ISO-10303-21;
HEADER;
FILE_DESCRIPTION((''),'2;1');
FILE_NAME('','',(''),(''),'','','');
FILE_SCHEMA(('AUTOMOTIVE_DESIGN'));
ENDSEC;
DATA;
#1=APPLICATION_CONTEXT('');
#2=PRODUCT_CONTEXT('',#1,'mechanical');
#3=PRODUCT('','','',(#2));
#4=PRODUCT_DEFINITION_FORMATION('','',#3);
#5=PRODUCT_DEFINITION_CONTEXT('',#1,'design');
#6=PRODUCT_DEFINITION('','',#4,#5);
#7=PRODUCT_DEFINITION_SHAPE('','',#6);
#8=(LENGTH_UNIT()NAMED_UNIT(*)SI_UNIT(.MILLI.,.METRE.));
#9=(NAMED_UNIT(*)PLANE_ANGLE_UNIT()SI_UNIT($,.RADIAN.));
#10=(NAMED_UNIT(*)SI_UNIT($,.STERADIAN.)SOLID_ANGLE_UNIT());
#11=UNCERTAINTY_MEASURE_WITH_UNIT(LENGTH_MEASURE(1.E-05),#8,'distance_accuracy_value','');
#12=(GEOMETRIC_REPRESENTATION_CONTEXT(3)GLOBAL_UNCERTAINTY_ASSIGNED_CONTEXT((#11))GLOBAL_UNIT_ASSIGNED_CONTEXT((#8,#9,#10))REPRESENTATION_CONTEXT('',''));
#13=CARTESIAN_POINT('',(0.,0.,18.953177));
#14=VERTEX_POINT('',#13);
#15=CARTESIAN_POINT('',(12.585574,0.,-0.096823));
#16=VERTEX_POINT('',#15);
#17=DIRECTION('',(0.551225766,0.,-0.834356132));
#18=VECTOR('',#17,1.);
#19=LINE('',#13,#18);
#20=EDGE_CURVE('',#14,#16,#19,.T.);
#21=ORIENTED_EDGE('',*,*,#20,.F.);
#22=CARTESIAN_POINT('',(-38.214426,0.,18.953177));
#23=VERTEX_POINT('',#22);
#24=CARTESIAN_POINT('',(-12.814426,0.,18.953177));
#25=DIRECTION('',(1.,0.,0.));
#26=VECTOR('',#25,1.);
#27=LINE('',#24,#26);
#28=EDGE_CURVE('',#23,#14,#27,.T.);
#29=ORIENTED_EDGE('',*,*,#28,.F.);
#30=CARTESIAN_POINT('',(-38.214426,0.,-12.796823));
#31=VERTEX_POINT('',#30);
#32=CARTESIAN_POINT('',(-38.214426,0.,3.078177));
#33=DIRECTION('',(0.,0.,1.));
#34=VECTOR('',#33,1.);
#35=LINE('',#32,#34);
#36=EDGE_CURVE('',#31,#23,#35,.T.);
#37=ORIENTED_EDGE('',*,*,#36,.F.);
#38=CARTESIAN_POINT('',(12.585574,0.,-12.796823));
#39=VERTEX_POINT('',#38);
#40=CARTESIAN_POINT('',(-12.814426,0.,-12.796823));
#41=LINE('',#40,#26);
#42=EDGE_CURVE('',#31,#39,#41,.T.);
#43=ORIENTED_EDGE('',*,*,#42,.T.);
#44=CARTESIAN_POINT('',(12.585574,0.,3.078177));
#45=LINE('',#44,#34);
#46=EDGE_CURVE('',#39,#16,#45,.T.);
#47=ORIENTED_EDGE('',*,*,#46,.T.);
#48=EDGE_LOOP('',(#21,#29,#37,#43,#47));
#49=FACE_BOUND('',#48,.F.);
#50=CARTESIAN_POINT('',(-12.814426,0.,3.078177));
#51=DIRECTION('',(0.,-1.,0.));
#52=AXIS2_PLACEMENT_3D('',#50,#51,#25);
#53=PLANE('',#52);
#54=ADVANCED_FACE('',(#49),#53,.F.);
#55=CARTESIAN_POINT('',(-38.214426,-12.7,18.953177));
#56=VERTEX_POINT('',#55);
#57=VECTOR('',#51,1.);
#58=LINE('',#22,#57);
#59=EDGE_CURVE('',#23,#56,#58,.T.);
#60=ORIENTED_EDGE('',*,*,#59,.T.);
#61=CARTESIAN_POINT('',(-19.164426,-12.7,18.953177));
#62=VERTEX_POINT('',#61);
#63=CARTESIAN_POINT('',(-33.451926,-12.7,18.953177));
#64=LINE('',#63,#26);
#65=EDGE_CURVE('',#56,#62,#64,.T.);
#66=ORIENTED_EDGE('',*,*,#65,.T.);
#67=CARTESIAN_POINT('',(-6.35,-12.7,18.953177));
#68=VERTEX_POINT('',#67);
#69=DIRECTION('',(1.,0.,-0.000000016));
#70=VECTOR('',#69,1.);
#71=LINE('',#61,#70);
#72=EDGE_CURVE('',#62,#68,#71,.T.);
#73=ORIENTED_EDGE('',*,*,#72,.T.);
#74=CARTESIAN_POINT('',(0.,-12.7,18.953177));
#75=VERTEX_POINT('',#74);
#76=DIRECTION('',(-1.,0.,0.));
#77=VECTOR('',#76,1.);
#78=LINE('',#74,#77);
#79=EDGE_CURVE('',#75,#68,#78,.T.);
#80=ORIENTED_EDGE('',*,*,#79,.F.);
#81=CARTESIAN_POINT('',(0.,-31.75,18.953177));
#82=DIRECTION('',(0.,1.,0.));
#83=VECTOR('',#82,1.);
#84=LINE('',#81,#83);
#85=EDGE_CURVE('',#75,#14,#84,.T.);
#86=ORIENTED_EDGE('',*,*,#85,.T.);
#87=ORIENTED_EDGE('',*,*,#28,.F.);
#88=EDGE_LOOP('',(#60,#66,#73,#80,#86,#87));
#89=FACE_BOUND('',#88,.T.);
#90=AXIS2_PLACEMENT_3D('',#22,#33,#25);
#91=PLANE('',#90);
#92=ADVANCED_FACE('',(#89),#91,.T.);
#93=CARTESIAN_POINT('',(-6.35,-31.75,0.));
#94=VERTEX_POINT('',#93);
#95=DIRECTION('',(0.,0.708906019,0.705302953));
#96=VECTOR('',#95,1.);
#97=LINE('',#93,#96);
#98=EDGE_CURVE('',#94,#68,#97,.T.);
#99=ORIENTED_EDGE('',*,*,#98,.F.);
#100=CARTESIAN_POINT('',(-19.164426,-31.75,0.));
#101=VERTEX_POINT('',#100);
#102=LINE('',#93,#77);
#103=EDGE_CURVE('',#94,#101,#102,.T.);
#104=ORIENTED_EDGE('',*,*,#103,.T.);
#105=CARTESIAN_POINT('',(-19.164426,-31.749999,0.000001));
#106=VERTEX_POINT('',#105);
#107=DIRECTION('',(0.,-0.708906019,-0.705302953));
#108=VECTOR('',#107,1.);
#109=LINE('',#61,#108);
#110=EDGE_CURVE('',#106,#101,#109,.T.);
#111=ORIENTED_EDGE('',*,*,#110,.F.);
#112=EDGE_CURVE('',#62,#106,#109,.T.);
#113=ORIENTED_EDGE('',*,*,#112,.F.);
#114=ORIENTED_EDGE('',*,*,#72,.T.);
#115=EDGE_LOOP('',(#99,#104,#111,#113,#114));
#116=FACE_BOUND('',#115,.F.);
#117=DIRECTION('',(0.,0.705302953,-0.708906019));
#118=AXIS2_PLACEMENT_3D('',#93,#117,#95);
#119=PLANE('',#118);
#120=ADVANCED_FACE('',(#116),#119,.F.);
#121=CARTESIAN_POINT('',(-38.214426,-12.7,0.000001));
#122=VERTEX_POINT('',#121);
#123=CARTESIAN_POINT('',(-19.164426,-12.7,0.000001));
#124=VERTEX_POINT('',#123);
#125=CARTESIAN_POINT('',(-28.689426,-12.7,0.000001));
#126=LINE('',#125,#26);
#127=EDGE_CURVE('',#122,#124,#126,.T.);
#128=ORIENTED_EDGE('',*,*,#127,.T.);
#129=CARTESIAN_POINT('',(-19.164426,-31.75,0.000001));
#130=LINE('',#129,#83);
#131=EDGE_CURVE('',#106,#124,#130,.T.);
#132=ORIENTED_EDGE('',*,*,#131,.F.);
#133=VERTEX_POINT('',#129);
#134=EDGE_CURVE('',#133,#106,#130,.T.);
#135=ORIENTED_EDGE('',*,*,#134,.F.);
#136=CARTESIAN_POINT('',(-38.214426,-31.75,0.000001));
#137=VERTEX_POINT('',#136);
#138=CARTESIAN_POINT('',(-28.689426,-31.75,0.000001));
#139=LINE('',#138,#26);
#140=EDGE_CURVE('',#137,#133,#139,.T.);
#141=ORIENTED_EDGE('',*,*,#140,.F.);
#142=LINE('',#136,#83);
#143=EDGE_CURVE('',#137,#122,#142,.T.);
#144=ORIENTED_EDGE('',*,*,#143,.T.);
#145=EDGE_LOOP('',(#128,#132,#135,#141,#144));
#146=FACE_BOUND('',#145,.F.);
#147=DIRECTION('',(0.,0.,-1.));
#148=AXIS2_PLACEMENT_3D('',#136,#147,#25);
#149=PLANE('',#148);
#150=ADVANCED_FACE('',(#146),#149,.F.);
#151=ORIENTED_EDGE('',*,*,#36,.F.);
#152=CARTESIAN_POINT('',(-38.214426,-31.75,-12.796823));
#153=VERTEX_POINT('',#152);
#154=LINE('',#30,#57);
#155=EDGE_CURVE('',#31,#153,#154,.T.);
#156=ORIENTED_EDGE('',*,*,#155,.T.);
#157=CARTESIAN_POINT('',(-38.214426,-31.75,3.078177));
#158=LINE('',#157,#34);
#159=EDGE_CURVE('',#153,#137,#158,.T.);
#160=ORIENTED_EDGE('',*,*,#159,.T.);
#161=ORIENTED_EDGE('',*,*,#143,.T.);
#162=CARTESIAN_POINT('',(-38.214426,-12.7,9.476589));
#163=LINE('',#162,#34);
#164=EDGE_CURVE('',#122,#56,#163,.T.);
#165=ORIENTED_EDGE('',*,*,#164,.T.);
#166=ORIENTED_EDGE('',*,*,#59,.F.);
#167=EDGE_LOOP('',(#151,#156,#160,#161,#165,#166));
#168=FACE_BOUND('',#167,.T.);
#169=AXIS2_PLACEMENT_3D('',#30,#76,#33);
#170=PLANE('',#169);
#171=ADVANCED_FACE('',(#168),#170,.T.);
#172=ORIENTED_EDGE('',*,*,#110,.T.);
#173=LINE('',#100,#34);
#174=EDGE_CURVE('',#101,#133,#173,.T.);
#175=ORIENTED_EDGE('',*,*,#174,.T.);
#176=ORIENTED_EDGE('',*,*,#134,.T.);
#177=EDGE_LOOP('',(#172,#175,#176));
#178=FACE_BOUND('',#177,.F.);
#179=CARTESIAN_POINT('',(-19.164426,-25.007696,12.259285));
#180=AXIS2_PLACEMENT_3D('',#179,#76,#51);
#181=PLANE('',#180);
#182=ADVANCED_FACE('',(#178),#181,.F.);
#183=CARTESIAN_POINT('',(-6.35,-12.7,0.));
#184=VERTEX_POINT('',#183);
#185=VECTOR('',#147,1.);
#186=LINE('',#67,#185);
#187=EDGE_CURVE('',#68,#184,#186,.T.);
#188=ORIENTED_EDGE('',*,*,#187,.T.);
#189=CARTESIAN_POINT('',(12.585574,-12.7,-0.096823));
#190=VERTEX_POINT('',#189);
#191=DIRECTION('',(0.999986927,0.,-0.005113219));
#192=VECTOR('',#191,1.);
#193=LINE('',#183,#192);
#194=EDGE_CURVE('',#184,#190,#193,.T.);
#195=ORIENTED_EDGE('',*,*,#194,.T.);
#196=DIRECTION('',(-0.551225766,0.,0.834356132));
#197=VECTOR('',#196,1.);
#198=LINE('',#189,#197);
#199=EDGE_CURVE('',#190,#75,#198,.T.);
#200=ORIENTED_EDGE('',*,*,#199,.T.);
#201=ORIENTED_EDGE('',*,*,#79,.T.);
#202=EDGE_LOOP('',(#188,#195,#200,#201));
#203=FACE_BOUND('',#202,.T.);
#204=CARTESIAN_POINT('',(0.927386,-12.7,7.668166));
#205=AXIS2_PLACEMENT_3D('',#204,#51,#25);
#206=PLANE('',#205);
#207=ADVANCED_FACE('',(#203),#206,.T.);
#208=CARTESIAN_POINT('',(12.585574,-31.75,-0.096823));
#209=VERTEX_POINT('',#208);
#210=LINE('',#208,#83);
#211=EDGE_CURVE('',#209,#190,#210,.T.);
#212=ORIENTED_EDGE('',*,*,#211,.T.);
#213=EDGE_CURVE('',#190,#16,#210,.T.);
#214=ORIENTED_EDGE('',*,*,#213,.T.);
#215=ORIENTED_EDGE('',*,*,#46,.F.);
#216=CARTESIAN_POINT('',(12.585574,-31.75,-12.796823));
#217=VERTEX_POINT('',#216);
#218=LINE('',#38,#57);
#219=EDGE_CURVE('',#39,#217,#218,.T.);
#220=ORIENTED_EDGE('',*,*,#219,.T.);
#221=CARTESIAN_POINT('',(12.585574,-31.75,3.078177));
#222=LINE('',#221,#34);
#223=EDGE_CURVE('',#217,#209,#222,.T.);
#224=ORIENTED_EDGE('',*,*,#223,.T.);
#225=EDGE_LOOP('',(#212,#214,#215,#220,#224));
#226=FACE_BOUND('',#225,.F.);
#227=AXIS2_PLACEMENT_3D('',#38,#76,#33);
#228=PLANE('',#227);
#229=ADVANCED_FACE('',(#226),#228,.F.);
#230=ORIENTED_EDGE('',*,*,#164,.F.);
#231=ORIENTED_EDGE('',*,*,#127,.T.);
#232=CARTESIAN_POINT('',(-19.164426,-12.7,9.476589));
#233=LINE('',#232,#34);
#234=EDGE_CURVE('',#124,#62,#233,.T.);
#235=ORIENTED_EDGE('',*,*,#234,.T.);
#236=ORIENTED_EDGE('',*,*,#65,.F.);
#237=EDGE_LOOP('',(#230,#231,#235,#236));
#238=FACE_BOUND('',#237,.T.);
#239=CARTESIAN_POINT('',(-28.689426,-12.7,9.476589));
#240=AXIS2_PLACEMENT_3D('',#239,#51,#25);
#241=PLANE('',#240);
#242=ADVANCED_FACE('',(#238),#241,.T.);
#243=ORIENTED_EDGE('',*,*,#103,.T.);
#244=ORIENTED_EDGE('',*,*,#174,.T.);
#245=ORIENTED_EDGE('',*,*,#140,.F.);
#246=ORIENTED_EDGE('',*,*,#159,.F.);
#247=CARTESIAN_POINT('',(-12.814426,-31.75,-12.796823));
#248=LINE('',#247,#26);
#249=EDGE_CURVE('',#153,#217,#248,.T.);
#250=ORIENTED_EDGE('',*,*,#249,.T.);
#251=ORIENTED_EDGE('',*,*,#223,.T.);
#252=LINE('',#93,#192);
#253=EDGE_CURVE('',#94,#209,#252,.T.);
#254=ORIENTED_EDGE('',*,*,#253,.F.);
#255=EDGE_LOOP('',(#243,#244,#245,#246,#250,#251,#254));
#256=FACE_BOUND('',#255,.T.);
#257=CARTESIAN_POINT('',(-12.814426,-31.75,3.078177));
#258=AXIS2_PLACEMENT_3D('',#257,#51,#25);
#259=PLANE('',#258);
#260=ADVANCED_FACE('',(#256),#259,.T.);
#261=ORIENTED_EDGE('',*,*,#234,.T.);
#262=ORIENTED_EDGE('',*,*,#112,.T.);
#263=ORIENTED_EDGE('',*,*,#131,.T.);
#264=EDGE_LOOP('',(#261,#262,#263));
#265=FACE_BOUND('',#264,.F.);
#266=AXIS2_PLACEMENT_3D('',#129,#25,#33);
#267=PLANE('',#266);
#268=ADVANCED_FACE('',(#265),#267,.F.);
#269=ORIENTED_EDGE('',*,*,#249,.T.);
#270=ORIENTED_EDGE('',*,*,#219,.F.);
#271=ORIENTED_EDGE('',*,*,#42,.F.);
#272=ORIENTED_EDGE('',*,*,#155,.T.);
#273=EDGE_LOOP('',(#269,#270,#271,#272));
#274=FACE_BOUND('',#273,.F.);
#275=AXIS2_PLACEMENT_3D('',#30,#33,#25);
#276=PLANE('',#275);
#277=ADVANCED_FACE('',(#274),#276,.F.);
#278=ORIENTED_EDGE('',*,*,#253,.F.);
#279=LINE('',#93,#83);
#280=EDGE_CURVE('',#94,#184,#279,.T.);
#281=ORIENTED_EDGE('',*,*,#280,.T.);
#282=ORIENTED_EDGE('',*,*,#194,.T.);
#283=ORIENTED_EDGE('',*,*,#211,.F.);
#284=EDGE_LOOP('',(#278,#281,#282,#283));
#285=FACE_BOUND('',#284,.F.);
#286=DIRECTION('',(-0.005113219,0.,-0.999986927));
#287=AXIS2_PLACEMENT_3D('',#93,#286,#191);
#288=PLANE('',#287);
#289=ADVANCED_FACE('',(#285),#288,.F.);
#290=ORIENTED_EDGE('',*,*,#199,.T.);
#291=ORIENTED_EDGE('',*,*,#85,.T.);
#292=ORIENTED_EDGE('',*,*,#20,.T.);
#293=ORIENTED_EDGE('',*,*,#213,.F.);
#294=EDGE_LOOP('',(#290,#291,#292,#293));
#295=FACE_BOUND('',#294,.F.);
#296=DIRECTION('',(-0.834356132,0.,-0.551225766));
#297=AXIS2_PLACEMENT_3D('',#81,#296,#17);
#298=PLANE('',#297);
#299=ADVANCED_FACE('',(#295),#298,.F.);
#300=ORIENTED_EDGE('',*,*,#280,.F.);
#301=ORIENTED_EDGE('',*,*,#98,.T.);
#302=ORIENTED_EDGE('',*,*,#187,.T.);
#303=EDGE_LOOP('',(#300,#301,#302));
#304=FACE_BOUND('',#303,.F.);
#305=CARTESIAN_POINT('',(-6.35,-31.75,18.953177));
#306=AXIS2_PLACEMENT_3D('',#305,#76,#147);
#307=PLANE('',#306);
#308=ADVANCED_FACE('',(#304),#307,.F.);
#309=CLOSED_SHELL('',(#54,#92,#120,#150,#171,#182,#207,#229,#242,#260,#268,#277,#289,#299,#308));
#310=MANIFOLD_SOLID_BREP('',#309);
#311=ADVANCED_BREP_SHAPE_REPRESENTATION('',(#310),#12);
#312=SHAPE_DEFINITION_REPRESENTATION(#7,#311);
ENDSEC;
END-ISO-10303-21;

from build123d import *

# Parameters (mm, degrees)
F0_W      = 50.8
F0_H      = 31.75
F1_DEPTH  = 31.75
F3_DEPTH  = 31.75
F5_DEPTH  = 19.05
F6_W      = 19.05
F6_H      = 18.953177
F7_DEPTH  = 19.05
F9_DEPTH  = 12.7
F11_DEPTH = 25.4


with BuildPart() as f1:
    # F0 (on Front) → F1 (new body)
    with BuildSketch(Plane.XZ):
        with Locations((-12.814426, 3.078177)):
            Rectangle(F0_W, F0_H)
    extrude(amount=F1_DEPTH)

    # F2 (on face) → F3 (cut)
    with BuildSketch(Plane.XZ.offset(31.75)):
        Polygon((12.585574, -0.096823), (12.585574, 18.953177), (0, 18.953177), align=None)
    extrude(amount=-F3_DEPTH, mode=Mode.SUBTRACT)

    # F4 (on face) → F5 (cut)
    with BuildSketch(Plane.XZ.offset(31.75)):
        Polygon((-6.35, 0), (12.585574, -0.096823), (0, 18.953177), (-6.35, 18.953177), align=None)
    extrude(amount=-F5_DEPTH, mode=Mode.SUBTRACT)

    # F6 (on face) → F7 (cut)
    with BuildSketch(Plane.XZ.offset(31.75)):
        with Locations((-28.689426, 9.476589)):
            Rectangle(F6_W, F6_H)
    extrude(amount=-F7_DEPTH, mode=Mode.SUBTRACT)

    # F8 (on face) → F9 (cut)
    with BuildSketch(Plane.YZ.offset(-6.35)):
        Polygon((-31.75, 0), (-12.7, 18.953177), (-31.75, 18.953177), align=None)
    extrude(amount=-F9_DEPTH, mode=Mode.SUBTRACT)

    # F10 (on face) → F11 (cut)
    with BuildSketch(Plane(origin=(-19.164426, 0, 0), x_dir=(0, -1, 0), z_dir=(-1, 0, 0))):
        Polygon((31.75, 18.953177), (12.7, 18.953177), (31.75, 0), align=None)
    extrude(amount=-F11_DEPTH, mode=Mode.SUBTRACT)


solid = f1.part
